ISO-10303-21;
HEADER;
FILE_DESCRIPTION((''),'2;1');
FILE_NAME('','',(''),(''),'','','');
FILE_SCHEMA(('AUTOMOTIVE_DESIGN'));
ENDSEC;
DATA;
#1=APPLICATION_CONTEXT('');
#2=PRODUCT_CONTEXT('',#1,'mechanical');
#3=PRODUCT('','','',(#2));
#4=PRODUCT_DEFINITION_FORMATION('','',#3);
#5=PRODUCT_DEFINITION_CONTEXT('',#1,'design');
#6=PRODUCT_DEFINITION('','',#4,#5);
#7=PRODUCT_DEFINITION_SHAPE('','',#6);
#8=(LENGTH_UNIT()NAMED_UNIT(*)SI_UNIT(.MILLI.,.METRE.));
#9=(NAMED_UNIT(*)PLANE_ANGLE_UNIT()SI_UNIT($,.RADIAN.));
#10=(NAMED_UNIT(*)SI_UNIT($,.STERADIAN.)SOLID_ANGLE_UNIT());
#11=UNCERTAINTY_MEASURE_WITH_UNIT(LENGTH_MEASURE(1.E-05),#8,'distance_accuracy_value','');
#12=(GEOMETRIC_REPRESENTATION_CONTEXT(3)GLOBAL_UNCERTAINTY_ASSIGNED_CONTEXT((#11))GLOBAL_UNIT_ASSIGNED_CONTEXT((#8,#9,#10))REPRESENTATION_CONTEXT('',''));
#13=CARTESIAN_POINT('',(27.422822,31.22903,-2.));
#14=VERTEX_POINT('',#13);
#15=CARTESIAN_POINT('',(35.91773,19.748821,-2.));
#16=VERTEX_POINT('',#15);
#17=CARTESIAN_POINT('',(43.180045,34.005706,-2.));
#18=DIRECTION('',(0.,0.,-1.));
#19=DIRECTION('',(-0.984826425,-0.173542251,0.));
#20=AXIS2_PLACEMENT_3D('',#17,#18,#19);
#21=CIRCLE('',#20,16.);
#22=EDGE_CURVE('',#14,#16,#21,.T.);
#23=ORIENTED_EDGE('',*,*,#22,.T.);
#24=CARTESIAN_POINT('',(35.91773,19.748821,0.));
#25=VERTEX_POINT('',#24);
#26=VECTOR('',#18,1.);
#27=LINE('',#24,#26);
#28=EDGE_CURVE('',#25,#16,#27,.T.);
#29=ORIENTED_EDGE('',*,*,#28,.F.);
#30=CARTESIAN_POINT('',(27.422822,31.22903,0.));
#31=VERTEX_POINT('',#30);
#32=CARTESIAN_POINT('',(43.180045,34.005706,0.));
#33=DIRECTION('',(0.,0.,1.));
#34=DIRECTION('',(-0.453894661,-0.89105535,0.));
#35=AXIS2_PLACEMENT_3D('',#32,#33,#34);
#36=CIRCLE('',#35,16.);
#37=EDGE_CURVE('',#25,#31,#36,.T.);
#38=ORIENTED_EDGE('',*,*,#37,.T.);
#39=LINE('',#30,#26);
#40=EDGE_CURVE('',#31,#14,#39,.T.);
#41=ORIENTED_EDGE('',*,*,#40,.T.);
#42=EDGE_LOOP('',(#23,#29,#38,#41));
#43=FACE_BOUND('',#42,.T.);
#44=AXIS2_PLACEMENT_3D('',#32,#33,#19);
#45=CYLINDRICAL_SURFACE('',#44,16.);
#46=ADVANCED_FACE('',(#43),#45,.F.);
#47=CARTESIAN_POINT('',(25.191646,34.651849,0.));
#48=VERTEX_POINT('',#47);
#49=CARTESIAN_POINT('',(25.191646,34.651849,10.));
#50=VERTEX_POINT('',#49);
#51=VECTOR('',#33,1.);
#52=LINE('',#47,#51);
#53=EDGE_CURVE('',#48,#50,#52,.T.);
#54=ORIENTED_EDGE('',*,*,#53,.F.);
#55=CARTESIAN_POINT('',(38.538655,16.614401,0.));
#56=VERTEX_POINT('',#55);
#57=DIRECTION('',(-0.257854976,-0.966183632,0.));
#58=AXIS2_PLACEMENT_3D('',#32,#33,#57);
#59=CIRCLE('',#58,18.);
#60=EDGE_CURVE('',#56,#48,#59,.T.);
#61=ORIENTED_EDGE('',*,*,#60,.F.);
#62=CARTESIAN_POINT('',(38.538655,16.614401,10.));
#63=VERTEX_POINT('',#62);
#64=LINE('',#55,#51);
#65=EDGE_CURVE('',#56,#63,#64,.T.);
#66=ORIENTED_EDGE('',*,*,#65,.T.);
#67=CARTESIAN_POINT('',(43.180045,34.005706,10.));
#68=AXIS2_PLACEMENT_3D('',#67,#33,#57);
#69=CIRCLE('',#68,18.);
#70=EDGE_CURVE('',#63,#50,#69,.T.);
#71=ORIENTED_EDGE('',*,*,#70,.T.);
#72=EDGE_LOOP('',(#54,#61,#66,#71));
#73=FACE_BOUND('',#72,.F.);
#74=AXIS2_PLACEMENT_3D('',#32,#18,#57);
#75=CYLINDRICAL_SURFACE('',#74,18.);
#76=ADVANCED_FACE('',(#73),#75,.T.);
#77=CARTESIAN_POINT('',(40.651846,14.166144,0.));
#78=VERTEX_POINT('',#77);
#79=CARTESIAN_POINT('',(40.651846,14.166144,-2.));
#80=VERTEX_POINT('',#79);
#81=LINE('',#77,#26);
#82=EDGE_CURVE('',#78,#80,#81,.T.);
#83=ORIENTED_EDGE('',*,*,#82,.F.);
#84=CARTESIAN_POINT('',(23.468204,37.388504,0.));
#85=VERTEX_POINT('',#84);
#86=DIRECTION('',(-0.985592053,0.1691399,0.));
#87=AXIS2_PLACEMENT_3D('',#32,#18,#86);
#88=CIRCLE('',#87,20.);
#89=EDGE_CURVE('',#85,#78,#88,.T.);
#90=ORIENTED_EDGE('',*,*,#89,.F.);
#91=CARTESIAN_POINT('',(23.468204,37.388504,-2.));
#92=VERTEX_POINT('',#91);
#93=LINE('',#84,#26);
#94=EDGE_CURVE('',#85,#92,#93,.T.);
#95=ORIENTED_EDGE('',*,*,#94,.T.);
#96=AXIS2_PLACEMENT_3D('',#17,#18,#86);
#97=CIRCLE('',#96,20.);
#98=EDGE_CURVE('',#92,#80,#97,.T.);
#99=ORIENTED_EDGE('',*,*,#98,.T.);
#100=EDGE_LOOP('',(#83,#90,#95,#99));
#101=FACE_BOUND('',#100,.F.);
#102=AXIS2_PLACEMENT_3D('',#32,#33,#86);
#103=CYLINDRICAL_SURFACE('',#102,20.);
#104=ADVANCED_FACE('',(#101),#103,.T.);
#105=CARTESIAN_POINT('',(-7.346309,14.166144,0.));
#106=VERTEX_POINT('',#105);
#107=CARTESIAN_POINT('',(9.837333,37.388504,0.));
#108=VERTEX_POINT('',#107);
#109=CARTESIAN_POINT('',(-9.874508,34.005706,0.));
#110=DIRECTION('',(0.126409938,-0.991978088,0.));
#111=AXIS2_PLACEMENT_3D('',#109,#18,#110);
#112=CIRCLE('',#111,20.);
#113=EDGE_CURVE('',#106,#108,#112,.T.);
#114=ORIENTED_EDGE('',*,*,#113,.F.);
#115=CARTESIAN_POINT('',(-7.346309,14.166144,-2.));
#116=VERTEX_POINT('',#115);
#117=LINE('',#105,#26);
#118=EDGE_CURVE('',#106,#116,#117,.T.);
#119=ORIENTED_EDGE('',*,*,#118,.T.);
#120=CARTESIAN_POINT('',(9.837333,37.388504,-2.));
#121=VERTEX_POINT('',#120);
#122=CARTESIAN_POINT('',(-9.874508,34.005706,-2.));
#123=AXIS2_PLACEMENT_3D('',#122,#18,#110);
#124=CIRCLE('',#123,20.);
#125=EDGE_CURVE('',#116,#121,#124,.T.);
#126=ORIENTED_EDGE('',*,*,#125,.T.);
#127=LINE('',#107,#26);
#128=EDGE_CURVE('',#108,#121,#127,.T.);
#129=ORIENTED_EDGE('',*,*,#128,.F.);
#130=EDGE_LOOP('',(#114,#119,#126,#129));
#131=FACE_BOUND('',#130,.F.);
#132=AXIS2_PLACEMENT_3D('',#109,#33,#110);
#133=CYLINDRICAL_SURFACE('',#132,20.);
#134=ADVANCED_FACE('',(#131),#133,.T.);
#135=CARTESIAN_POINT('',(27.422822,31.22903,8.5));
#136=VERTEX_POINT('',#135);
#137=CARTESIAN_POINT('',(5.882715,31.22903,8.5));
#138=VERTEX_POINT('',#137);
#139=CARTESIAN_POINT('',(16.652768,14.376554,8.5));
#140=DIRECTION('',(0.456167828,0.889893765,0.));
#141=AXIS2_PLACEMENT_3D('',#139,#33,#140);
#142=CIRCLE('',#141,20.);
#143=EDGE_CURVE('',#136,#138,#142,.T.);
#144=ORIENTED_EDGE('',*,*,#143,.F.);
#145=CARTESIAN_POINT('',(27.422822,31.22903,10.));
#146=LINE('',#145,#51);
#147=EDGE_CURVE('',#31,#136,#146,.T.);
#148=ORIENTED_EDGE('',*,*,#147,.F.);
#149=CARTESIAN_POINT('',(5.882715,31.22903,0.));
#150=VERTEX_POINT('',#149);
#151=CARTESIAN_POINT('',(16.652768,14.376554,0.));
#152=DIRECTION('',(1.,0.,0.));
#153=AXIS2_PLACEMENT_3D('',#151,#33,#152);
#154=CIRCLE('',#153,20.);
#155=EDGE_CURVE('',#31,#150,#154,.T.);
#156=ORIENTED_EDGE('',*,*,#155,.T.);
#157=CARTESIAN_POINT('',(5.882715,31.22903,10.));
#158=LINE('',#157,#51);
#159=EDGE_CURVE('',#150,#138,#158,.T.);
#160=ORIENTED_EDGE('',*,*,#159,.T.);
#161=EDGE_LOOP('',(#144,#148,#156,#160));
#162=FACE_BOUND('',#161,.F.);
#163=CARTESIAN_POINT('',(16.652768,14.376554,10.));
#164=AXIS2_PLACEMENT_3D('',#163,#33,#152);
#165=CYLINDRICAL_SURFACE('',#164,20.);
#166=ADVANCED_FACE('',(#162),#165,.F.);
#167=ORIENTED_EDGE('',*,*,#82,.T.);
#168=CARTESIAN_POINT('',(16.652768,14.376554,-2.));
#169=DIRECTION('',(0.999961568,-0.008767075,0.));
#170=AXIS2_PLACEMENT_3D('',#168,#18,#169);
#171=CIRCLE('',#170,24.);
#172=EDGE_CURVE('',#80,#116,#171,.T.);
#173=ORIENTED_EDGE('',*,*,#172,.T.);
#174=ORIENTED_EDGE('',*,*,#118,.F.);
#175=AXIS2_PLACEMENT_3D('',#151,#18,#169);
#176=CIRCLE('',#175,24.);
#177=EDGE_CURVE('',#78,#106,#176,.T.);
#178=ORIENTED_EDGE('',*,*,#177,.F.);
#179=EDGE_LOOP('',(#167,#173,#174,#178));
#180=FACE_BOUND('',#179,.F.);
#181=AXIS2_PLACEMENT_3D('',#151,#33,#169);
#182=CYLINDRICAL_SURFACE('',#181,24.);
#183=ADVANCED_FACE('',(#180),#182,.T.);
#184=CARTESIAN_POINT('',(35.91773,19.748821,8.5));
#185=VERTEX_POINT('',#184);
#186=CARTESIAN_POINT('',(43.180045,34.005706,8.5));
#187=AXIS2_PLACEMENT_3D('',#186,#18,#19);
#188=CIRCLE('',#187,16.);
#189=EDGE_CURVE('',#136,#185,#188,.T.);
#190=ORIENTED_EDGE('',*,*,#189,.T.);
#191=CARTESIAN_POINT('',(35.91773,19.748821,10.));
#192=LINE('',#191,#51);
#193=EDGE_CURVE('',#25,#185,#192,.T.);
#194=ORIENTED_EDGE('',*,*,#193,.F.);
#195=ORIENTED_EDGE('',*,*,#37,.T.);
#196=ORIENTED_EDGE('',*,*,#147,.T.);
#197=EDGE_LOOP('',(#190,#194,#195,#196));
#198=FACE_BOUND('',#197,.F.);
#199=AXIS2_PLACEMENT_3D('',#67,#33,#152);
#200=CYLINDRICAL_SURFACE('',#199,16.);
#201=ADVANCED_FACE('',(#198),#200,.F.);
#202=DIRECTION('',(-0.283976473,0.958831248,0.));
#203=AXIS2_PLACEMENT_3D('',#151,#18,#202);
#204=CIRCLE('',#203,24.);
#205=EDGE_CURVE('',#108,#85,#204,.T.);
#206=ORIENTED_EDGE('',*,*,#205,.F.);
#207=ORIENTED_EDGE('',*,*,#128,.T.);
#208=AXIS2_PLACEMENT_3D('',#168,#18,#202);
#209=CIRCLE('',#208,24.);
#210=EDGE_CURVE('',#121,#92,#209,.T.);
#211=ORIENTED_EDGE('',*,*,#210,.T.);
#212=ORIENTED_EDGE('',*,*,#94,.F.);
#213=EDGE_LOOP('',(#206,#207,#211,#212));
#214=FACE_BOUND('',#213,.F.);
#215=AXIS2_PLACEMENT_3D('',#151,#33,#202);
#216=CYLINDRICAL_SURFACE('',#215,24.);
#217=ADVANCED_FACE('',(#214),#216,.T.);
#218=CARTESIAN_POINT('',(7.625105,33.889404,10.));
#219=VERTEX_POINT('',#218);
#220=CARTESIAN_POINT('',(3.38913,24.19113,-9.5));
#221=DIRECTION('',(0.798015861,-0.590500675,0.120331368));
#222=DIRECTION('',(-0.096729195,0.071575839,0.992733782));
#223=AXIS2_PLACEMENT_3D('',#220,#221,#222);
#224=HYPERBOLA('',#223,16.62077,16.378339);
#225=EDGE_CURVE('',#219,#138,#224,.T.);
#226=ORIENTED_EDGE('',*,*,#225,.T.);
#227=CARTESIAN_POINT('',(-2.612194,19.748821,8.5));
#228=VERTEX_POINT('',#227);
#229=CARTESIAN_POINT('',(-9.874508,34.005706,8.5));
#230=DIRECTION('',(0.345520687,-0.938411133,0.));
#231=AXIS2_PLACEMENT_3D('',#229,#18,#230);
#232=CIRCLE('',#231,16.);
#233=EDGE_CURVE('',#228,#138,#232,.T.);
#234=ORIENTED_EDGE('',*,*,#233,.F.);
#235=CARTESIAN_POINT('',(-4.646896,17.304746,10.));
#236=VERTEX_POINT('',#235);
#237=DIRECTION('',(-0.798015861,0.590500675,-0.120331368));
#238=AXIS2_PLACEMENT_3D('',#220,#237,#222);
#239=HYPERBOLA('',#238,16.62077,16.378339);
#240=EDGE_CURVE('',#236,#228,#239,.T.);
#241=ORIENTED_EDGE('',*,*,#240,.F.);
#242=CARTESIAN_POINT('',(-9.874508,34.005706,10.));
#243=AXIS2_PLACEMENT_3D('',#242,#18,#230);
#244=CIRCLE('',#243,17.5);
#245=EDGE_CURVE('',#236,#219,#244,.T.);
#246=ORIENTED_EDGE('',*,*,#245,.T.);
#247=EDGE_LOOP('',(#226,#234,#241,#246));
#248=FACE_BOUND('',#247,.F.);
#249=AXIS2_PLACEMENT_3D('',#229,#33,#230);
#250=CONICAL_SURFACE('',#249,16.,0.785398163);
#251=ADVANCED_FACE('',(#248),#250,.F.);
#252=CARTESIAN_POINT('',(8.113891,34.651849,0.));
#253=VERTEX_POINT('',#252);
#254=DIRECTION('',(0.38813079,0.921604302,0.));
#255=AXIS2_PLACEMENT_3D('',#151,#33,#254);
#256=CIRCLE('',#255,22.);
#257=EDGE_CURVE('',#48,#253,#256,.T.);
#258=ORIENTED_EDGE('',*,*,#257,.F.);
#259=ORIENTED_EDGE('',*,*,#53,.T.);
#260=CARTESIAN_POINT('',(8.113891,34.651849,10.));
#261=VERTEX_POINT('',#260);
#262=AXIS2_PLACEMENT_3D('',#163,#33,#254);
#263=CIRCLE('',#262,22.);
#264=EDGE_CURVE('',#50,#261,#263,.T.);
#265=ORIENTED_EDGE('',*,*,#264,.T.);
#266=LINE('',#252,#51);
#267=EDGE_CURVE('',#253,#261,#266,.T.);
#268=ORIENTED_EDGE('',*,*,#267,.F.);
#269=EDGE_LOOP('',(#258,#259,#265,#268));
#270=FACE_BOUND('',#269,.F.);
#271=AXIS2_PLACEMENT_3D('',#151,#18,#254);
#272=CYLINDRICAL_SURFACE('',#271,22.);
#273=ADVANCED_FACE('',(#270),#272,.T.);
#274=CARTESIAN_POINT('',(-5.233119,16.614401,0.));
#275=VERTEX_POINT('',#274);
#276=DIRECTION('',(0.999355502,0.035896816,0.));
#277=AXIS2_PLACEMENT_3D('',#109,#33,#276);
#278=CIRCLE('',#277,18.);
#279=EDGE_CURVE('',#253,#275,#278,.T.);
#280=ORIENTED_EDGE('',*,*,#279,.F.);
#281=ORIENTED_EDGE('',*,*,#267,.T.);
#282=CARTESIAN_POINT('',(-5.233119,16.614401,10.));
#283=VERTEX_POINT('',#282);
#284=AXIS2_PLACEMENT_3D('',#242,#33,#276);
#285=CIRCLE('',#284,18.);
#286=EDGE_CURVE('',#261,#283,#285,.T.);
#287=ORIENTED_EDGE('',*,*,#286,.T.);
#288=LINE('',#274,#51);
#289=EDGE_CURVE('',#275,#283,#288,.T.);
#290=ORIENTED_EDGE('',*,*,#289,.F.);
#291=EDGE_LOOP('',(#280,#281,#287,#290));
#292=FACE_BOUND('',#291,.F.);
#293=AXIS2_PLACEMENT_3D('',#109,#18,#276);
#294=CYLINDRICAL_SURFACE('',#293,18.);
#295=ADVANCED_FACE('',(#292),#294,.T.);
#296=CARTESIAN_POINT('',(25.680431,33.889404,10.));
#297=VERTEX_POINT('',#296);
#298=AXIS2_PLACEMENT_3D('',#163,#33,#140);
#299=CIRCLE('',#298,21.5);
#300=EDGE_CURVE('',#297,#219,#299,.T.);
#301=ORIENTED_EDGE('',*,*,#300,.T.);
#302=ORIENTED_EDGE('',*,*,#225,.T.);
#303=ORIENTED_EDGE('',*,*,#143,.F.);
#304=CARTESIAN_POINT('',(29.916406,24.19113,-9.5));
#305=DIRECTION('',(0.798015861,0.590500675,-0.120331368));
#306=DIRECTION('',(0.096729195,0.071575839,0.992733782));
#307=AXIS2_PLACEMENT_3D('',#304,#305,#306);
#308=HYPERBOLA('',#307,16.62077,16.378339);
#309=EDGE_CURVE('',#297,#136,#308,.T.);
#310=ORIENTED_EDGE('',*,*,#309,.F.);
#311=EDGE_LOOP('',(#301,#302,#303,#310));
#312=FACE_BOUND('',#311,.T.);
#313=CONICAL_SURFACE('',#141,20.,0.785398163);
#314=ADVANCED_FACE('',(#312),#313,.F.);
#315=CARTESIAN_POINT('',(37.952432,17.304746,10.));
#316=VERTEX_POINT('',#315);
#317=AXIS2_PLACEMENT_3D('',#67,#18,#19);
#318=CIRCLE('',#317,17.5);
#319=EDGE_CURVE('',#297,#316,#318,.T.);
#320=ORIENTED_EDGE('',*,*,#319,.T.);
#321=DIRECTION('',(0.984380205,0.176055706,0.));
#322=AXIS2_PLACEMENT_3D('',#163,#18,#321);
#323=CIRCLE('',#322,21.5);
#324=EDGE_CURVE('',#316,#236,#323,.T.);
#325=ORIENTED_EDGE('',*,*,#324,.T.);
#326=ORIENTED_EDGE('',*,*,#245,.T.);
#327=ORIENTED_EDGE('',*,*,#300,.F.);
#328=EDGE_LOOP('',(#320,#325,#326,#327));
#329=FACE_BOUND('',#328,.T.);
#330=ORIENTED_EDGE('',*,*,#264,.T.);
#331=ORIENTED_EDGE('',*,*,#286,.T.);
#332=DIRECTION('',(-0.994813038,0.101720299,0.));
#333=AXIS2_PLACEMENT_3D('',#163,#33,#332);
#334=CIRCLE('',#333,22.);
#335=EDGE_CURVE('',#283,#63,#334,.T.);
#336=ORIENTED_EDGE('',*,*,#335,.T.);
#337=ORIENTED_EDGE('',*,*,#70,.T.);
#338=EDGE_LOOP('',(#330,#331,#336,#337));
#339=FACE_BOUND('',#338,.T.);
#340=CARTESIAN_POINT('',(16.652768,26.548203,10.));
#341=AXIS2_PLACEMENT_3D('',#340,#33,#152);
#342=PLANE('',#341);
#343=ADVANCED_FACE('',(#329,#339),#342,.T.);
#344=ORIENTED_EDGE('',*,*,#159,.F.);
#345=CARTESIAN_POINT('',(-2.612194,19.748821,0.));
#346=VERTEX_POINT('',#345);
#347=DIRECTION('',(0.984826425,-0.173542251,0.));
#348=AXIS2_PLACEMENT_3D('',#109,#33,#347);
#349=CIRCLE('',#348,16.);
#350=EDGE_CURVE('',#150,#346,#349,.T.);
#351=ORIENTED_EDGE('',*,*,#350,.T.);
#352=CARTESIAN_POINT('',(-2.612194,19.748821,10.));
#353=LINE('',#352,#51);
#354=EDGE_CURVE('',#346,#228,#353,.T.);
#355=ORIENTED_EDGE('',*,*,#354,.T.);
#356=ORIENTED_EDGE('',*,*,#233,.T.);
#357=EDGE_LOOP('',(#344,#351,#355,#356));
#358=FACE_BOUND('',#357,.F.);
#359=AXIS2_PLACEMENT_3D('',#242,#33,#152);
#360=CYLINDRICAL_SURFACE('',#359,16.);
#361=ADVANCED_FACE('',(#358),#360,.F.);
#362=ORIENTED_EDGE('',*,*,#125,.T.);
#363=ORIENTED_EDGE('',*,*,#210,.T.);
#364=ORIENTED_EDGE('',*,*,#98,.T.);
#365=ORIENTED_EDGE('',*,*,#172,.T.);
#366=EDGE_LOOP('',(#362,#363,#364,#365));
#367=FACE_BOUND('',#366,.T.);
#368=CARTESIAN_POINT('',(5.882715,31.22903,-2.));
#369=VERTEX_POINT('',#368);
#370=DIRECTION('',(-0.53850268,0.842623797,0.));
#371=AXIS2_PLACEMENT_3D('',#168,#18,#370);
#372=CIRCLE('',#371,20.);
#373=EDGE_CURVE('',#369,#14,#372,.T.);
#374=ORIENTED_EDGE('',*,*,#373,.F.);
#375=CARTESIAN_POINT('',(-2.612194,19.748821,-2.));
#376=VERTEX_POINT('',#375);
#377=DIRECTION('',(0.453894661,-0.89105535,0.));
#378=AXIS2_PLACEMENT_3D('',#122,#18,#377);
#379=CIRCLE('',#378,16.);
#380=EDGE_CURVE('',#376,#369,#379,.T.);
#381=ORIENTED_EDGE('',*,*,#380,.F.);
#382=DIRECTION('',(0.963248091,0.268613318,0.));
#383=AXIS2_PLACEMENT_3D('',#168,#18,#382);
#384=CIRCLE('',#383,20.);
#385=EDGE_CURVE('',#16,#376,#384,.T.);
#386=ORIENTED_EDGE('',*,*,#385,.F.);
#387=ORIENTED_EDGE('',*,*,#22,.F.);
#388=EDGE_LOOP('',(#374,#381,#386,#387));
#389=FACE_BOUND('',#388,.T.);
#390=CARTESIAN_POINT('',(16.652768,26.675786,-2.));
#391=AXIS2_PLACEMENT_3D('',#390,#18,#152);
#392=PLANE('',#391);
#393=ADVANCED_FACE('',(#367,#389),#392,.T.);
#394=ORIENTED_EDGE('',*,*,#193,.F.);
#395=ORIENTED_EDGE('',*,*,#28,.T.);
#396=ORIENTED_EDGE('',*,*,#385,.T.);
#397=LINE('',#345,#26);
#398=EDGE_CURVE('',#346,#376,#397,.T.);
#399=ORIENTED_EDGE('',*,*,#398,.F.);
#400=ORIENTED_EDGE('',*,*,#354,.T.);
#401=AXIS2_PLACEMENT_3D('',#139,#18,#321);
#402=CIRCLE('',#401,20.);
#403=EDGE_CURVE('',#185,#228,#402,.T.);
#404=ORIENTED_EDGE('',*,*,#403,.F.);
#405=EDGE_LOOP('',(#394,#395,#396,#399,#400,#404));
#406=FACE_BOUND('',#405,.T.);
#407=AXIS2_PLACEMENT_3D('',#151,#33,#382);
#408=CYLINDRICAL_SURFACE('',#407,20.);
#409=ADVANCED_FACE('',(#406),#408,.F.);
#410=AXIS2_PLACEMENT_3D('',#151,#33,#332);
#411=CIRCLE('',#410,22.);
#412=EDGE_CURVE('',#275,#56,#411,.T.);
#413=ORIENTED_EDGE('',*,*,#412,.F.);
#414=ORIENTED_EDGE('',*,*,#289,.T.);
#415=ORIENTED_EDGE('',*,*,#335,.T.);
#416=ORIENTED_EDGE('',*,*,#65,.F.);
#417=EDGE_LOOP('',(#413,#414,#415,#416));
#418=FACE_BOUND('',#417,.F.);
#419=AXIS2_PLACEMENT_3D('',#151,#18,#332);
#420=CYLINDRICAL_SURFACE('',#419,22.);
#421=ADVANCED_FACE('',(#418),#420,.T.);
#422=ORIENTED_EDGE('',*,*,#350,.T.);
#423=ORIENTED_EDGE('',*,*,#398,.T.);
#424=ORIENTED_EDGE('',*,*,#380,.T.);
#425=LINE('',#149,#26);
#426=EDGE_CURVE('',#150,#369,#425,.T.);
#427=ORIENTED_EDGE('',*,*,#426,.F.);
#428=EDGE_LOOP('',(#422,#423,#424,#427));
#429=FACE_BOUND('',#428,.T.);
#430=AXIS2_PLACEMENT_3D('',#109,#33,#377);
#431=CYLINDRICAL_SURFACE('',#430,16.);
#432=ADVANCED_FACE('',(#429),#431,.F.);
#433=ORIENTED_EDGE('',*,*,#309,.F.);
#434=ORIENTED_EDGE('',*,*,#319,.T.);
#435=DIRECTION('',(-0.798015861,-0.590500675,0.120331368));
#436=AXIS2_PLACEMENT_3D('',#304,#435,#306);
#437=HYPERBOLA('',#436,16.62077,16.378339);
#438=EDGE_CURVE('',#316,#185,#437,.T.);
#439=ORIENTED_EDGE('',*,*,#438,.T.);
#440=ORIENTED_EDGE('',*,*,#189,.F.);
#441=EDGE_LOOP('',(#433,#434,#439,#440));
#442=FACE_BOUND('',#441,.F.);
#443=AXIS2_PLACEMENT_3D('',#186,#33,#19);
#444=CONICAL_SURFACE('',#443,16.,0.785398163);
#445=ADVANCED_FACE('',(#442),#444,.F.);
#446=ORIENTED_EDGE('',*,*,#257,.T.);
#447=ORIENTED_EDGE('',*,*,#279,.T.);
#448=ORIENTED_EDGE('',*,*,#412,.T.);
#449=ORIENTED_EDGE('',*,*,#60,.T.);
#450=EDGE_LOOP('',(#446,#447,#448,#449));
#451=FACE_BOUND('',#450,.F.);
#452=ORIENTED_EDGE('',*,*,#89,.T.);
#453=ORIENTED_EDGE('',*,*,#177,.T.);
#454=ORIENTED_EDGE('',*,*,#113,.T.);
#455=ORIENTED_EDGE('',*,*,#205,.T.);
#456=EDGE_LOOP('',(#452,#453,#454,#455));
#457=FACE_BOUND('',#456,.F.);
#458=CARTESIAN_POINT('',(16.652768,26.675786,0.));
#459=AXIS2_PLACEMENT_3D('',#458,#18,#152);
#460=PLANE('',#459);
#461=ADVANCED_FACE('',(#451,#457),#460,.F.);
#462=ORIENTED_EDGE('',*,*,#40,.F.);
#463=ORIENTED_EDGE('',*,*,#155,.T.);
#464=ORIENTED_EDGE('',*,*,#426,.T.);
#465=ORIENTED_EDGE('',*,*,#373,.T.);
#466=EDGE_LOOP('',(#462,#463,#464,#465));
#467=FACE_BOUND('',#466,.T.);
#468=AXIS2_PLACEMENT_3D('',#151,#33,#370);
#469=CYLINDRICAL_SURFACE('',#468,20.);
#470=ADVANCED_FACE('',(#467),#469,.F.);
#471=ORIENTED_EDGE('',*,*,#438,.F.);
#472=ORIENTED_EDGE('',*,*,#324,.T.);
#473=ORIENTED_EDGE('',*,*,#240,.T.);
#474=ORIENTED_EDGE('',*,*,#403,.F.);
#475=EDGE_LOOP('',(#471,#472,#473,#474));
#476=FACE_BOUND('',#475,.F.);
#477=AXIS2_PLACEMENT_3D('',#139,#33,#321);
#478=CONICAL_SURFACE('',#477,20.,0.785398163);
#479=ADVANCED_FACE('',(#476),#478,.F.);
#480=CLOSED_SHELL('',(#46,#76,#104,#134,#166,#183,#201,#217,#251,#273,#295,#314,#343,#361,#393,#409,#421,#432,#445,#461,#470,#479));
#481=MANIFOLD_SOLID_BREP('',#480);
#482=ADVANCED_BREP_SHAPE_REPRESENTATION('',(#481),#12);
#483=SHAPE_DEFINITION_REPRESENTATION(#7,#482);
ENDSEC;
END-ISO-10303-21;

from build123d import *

# Parameters (mm, degrees)
PAD_DEPTH       = 10
SKETCH001_R     = 20
POCKET_DEPTH    = 10
SKETCH002_R     = 16
POCKET001_DEPTH = 10
CHAMFER_SIZE    = 1.5
CHAMFER001_SIZE = 1.5
CHAMFER002_SIZE = 1.5
CHAMFER003_SIZE = 1.5
PAD001_DEPTH    = 2


with BuildPart() as part:
    # Sketch → Pad (new body)
    with BuildSketch(Plane.XY):
        with BuildLine():
            ThreePointArc((38.5386550517, 16.614400785), (57.6494681052, 44.7125163297), (25.1916455851, 34.6518488576))
            ThreePointArc((25.1916455851, 34.6518488576), (16.6527682137, 36.3765542054), (8.1138908423, 34.6518488576))
            ThreePointArc((8.1138908423, 34.6518488576), (-24.3439316777, 44.7125163297), (-5.2331186243, 16.614400785))
            ThreePointArc((-5.2331186243, 16.614400785), (16.6527682137, -7.6234457946), (38.5386550517, 16.614400785))
        make_face()
    extrude(amount=PAD_DEPTH)

    # Sketch001 (on Face6 of Pad) → Pocket (cut)
    with BuildSketch(Plane.XY.offset(10)):
        with Locations((16.6527682137, 14.3765542054)):
            Circle(SKETCH001_R)
    extrude(amount=-POCKET_DEPTH, mode=Mode.SUBTRACT)

    # Sketch002 (on Face5 of Pocket) → Pocket001 (cut)
    with BuildSketch(Plane.XY.offset(10)):
        with Locations((-9.8745081866, 34.0057061682)):
            Circle(SKETCH002_R)
        with Locations((43.1800446141, 34.0057061682)):
            Circle(SKETCH002_R)
    extrude(amount=-POCKET001_DEPTH, mode=Mode.SUBTRACT)

    # Chamfer
    chamfer_edges = [part.edges().sort_by_distance(p)[0] for p in [
        (41.78641, 49.944896, 10),
    ]]
    chamfer(chamfer_edges, length=CHAMFER_SIZE)

    # Chamfer001
    chamfer001_edges = [part.edges().sort_by_distance(p)[0] for p in [
        (36.574516, 16.144027, 10),
    ]]
    chamfer(chamfer001_edges, length=CHAMFER001_SIZE)

    # Chamfer002
    chamfer002_edges = [part.edges().sort_by_distance(p)[0] for p in [
        (15.703375, 34.354008, 10),
    ]]
    chamfer(chamfer002_edges, length=CHAMFER002_SIZE)

    # Chamfer003
    chamfer003_edges = [part.edges().sort_by_distance(p)[0] for p in [
        (-22.998023, 43.158485, 10),
    ]]
    chamfer(chamfer003_edges, length=CHAMFER003_SIZE)

    # Sketch004 (on Face20 of Chamfer003) → Pad001 (join)
    with BuildSketch(Plane(origin=(0, 0, 0), x_dir=(1, 0, 0), z_dir=(0, 0, -1))):
        with BuildLine():
            ThreePointArc((40.6518458567, -14.1661444028), (16.6527682137, 9.6234457946), (-7.3463094293, -14.1661444028))
            ThreePointArc((-7.3463094293, -14.1661444028), (-25.951645399, -45.9021619032), (9.8373328664, -37.3885041668))
            ThreePointArc((9.8373328664, -37.3885041668), (16.6527682137, -38.3765542054), (23.4682035611, -37.3885041668))
            ThreePointArc((23.4682035611, -37.3885041668), (59.2571818264, -45.9021619032), (40.6518458567, -14.1661444028))
        make_face()
        with BuildLine():
            ThreePointArc((35.917730039, -19.7488205682), (16.6527682137, 5.6234457946), (-2.6121936115, -19.7488205682))
            ThreePointArc((-2.6121936115, -19.7488205682), (-22.7362179565, -43.5228707562), (5.8827146104, -31.2290301476))
            ThreePointArc((5.8827146104, -31.2290301476), (16.6527682137, -34.3765542054), (27.422821817, -31.2290301476))
            ThreePointArc((27.422821817, -31.2290301476), (56.041754384, -43.5228707562), (35.917730039, -19.7488205682))
        make_face(mode=Mode.SUBTRACT)
    extrude(amount=PAD001_DEPTH)


solid = part.part
